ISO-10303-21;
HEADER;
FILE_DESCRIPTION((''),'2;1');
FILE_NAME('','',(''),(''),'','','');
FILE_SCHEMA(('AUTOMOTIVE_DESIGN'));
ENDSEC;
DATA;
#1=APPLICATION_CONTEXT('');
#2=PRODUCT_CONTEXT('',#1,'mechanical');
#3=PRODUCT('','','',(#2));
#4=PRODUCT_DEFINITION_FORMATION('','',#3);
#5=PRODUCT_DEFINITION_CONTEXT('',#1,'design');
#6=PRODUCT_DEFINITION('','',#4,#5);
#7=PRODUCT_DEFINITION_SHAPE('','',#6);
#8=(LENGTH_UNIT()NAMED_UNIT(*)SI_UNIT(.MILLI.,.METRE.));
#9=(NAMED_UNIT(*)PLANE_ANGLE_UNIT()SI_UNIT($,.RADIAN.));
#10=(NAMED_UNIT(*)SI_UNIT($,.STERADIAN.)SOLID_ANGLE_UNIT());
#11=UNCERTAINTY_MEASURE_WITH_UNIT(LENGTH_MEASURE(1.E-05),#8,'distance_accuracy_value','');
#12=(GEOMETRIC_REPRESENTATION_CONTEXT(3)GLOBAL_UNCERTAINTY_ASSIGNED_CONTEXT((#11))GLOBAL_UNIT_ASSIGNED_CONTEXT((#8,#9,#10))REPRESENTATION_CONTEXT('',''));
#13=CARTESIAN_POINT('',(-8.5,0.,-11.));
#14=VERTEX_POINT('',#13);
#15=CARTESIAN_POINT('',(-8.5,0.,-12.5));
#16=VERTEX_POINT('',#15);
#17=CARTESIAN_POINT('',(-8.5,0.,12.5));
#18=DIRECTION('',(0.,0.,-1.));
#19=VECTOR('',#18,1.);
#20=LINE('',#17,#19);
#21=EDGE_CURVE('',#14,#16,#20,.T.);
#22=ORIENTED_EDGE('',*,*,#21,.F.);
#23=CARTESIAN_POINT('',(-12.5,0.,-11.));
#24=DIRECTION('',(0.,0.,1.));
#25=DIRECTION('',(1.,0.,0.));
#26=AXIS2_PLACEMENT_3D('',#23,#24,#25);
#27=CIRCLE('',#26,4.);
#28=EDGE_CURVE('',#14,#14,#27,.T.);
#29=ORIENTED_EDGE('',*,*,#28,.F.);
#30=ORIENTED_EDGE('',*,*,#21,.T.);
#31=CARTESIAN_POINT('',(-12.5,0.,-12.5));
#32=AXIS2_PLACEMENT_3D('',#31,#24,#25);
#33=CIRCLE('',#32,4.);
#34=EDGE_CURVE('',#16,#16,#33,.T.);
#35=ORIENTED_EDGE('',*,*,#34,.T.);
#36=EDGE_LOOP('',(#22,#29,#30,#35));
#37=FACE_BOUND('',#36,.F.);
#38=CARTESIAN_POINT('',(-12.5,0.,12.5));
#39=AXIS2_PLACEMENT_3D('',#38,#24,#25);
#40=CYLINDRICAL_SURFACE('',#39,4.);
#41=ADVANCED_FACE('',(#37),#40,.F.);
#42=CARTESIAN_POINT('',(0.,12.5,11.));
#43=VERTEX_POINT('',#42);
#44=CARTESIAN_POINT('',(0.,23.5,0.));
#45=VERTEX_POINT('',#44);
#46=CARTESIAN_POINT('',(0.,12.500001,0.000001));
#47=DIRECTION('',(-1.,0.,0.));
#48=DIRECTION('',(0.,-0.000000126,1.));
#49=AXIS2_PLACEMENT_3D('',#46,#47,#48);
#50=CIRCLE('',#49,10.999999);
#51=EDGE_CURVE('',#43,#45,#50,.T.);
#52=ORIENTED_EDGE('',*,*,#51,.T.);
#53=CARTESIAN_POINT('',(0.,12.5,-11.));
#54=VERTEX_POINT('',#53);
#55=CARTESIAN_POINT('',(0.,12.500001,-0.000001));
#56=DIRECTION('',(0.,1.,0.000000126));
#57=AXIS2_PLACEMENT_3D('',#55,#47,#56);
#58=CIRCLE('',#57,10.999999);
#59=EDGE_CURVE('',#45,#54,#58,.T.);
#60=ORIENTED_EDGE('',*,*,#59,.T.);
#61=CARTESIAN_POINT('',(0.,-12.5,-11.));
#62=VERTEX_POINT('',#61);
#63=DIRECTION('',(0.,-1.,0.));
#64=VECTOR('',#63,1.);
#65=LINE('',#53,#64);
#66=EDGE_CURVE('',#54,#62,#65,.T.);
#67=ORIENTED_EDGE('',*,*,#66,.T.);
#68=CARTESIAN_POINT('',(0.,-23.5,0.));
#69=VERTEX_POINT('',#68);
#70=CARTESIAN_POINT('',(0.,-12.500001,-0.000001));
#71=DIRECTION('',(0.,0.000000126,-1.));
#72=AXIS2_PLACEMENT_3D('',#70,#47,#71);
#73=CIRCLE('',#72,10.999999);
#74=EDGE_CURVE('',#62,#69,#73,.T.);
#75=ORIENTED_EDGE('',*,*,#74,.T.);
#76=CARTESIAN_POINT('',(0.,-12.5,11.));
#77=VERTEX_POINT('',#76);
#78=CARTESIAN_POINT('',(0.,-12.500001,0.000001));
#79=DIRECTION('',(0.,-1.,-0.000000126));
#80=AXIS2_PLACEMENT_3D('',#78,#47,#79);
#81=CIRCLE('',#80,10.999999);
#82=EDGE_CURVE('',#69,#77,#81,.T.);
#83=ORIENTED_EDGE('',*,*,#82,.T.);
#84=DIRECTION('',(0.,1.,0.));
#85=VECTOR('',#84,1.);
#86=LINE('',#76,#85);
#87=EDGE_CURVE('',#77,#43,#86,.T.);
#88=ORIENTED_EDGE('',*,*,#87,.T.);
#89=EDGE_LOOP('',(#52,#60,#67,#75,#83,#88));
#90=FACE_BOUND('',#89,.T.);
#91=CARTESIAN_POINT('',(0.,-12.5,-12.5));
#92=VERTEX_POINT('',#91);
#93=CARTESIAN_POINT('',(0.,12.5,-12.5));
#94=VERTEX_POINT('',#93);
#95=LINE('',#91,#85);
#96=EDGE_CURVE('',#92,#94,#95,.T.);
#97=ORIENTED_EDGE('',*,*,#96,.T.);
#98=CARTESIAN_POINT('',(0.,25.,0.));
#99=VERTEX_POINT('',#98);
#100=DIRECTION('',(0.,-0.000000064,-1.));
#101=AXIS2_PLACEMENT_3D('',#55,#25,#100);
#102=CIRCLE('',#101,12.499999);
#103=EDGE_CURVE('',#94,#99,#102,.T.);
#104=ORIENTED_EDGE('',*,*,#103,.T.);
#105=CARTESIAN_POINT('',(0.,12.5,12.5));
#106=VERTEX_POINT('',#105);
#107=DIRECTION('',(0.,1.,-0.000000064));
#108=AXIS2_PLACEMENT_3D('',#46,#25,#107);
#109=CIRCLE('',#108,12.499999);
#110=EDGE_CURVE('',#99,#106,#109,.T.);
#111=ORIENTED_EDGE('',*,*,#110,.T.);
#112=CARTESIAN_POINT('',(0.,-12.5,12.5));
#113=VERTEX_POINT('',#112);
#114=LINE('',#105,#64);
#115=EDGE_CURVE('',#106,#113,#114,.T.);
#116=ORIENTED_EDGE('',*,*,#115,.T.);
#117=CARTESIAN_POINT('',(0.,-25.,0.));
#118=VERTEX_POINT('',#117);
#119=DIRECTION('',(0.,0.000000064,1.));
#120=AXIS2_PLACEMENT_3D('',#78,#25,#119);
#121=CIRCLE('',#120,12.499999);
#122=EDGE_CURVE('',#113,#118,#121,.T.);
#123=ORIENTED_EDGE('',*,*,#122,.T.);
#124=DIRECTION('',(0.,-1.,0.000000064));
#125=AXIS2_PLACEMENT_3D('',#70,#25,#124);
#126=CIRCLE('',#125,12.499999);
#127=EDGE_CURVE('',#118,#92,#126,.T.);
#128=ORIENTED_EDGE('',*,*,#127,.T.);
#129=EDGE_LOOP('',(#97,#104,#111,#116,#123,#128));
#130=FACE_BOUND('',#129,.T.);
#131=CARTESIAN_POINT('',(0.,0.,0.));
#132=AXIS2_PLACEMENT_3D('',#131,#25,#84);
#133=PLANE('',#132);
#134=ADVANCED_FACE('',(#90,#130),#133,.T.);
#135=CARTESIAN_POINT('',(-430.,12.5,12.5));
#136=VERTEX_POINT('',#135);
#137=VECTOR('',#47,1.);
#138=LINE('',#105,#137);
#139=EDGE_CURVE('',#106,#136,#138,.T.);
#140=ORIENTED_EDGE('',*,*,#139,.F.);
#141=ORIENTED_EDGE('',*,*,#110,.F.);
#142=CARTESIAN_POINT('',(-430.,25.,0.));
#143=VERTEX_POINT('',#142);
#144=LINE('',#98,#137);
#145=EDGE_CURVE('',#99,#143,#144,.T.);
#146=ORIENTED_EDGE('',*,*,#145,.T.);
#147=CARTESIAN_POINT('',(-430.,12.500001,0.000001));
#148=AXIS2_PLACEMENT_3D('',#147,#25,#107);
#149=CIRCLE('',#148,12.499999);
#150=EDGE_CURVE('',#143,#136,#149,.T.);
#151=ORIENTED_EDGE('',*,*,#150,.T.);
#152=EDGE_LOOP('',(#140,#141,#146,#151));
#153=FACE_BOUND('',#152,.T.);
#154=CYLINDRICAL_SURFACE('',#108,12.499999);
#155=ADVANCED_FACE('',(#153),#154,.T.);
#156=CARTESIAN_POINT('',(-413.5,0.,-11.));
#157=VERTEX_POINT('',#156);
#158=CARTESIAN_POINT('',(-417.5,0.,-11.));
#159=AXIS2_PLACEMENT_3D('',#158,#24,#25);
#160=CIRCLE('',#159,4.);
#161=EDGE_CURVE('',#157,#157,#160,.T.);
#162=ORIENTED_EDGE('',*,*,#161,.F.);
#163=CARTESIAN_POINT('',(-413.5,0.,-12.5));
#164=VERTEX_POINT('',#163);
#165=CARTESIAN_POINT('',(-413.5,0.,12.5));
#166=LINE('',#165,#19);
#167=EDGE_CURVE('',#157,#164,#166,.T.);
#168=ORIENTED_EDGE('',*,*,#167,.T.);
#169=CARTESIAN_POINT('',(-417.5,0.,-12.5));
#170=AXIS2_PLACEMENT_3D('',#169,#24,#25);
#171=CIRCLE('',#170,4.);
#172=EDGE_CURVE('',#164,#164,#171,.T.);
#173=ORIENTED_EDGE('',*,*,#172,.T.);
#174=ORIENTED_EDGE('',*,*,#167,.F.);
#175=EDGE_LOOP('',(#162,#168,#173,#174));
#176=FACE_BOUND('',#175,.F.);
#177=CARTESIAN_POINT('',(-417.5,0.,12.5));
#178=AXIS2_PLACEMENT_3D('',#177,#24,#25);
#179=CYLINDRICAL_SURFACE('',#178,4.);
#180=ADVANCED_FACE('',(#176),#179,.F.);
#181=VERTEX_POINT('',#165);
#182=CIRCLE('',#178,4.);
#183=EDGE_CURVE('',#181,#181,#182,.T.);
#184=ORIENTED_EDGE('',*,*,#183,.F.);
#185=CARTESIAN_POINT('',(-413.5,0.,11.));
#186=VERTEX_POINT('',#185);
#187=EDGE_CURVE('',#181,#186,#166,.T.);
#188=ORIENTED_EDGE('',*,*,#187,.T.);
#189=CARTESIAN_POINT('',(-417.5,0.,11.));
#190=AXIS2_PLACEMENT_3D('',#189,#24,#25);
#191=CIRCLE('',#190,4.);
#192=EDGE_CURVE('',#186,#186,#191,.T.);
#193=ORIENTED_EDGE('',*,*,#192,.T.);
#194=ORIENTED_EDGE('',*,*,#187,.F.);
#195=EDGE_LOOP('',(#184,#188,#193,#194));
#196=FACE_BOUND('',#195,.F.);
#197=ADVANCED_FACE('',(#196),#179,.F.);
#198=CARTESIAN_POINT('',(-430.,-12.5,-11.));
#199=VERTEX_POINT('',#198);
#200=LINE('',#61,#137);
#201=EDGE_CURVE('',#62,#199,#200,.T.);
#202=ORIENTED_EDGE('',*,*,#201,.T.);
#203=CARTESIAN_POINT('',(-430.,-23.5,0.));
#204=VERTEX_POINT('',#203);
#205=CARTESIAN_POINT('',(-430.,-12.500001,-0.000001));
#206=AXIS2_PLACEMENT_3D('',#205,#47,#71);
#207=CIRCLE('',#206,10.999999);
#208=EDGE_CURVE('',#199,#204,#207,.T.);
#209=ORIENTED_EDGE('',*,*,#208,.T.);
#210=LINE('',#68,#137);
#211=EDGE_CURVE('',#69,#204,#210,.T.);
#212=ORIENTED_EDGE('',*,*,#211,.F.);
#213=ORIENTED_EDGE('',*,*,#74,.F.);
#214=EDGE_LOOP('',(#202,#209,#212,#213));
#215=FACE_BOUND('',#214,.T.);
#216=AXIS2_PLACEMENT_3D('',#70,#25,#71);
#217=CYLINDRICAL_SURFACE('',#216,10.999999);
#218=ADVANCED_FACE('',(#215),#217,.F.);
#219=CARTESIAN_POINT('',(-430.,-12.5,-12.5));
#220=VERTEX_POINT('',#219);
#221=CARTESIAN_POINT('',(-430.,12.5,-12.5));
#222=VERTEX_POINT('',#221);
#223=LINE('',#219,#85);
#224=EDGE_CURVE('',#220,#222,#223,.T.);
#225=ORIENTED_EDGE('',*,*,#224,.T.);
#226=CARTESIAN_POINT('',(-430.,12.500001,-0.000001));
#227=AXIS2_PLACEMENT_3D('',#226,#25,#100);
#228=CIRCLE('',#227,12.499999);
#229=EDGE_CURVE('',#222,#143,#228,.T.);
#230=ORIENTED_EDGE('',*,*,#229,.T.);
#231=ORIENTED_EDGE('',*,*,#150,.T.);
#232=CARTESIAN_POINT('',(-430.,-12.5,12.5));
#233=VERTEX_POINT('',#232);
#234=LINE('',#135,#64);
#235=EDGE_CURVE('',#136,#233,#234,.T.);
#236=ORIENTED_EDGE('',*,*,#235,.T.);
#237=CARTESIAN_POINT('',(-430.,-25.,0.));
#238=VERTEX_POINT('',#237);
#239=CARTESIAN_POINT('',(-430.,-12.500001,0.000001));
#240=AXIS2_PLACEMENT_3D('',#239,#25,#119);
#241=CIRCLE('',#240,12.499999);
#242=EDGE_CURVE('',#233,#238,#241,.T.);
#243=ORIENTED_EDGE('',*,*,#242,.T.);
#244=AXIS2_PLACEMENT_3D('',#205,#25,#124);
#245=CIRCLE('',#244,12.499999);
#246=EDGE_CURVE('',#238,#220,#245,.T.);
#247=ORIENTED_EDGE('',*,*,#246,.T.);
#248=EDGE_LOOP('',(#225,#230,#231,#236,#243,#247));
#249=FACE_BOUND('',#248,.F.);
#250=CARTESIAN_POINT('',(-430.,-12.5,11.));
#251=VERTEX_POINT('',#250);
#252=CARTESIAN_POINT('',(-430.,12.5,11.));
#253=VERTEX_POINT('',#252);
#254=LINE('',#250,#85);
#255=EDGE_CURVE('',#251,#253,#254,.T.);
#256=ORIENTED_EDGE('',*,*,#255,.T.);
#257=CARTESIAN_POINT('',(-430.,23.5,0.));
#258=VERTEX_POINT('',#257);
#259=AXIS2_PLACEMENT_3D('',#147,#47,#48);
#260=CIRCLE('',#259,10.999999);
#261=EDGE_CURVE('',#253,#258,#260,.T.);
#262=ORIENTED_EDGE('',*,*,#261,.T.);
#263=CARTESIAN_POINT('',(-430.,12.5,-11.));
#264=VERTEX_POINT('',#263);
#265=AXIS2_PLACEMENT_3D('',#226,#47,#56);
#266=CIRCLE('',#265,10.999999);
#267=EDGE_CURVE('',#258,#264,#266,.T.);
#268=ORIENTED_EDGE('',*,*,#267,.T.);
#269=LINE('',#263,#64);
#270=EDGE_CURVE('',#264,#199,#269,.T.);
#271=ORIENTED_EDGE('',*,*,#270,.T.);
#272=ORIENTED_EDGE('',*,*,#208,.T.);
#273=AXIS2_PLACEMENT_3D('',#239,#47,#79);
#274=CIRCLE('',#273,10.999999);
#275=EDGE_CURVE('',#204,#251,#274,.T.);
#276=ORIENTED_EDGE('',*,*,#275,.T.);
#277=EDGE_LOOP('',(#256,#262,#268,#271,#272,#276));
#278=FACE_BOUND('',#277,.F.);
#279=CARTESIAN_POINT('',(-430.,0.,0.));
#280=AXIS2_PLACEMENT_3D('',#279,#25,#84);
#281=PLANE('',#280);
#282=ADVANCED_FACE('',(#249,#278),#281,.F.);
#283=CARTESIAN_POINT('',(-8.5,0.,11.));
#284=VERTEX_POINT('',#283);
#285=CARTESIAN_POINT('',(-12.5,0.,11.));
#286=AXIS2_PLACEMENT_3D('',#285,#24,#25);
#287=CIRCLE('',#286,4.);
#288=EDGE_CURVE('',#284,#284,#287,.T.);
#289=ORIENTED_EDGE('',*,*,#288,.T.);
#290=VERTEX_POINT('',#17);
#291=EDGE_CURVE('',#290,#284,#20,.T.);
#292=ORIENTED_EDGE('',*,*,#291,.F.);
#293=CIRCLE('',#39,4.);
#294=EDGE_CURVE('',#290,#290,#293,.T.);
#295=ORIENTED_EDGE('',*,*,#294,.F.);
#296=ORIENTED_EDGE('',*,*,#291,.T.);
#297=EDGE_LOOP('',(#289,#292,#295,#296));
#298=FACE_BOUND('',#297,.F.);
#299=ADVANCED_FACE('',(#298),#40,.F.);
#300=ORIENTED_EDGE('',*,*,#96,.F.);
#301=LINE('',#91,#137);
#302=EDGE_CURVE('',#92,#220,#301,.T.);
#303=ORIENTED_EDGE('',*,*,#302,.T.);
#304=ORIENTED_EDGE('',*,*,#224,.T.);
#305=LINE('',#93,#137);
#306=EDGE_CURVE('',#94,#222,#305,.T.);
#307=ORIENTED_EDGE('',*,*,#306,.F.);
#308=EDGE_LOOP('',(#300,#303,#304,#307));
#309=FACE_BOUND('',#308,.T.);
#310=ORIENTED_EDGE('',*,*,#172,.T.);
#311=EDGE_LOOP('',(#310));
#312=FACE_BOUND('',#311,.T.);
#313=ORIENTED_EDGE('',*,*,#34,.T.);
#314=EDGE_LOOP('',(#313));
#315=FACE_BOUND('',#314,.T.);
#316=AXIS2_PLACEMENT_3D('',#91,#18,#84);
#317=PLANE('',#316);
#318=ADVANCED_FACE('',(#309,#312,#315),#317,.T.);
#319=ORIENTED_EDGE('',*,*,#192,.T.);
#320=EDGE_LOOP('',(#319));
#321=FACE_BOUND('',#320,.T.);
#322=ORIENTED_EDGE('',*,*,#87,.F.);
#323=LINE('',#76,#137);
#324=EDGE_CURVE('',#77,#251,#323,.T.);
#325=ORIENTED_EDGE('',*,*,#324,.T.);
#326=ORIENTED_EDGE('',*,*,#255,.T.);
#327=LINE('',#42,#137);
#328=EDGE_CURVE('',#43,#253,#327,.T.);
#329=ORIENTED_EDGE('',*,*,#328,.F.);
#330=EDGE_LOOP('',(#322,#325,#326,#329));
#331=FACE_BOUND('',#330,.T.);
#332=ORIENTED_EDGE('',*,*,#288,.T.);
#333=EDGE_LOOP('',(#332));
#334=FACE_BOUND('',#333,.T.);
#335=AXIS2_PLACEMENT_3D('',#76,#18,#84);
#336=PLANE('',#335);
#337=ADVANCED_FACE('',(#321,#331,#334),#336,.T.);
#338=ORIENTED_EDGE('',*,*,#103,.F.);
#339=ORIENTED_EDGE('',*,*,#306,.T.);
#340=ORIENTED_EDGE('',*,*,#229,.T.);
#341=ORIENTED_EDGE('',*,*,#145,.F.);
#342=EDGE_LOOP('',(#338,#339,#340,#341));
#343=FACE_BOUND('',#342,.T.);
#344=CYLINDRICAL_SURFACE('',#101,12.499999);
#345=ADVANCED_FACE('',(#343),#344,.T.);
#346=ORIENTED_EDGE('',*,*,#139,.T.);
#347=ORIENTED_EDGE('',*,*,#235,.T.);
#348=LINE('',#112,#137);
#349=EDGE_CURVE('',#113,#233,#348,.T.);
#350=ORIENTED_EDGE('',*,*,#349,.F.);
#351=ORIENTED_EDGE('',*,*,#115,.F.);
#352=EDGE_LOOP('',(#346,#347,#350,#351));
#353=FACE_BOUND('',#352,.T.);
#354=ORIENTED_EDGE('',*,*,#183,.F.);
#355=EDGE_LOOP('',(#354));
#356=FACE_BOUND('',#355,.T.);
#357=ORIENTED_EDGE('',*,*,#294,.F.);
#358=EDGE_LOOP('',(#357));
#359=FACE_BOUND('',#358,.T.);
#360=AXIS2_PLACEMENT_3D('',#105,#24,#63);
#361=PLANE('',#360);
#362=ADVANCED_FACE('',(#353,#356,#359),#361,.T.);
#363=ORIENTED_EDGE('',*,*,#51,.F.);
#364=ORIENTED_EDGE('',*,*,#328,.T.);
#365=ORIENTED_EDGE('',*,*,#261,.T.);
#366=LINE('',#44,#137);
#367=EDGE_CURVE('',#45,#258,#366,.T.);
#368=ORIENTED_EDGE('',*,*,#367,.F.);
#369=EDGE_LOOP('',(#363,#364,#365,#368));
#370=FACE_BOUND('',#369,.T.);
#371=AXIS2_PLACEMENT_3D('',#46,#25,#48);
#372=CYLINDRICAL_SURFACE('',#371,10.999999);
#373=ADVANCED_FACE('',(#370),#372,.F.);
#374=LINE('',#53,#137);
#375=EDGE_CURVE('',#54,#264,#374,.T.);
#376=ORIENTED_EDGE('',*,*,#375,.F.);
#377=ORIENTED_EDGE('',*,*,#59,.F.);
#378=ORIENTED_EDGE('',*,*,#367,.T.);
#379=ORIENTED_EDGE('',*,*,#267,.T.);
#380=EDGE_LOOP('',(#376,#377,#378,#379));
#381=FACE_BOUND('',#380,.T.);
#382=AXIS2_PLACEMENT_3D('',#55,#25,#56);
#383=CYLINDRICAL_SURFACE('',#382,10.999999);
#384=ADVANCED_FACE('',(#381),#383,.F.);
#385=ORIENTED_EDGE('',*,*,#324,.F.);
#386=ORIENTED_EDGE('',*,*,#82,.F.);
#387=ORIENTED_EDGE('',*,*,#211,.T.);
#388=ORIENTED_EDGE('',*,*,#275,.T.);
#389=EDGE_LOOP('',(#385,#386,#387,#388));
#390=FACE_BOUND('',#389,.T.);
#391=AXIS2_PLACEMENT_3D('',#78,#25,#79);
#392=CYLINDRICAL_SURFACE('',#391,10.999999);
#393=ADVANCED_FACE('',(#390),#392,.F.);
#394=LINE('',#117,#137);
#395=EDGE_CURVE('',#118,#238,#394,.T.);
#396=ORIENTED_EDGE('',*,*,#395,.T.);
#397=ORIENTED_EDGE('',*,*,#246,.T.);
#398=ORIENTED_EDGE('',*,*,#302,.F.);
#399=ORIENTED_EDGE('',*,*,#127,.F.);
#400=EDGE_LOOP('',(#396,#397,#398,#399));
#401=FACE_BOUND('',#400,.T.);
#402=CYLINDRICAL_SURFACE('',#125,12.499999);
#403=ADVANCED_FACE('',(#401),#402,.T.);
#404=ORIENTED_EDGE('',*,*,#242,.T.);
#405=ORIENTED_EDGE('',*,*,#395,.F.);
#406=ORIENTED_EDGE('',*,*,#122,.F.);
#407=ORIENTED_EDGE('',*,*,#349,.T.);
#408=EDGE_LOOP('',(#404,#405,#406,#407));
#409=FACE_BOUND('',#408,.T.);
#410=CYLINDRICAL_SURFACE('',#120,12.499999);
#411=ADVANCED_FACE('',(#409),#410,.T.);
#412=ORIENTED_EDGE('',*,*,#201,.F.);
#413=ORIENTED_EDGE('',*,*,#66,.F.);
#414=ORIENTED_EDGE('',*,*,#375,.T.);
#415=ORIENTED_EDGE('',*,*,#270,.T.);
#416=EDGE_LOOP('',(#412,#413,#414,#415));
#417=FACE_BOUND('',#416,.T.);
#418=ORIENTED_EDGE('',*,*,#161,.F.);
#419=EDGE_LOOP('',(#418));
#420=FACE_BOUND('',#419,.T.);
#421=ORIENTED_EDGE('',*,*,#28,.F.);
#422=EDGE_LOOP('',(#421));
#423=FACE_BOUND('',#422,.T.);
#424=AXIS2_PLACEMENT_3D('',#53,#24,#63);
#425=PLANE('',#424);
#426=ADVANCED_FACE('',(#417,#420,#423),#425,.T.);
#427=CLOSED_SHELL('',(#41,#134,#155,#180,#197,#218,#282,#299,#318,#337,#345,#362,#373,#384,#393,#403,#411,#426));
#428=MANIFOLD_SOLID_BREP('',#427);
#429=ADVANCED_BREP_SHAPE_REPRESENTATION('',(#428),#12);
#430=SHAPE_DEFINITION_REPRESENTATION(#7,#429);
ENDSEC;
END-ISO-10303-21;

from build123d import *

# Parameters (mm, degrees)
F1_DEPTH = 430
F2_R     = 4
F3_DEPTH = 30


with BuildPart() as f1:
    # F0 (on Right) → F1 (new body)
    with BuildSketch(Plane.YZ):
        with BuildLine():
            Line((12.5, 12.5), (-12.5, 12.5))
            ThreePointArc((-12.5, 12.5), (-21.338835, 8.838835), (-25, 0))
            ThreePointArc((-25, 0), (-21.338835, -8.838835), (-12.5, -12.5))
            Line((-12.5, -12.5), (12.5, -12.5))
            ThreePointArc((12.5, -12.5), (21.338835, -8.838835), (25, 0))
            ThreePointArc((25, 0), (21.338835, 8.838835), (12.5, 12.5))
        make_face()
        with BuildLine():
            Line((-12.5, 11), (12.5, 11))
            ThreePointArc((12.5, 11), (20.278175, 7.778175), (23.5, 0))
            ThreePointArc((23.5, 0), (20.278175, -7.778175), (12.5, -11))
            Line((12.5, -11), (-12.5, -11))
            ThreePointArc((-12.5, -11), (-20.278175, -7.778175), (-23.5, 0))
            ThreePointArc((-23.5, 0), (-20.278175, 7.778175), (-12.5, 11))
        make_face(mode=Mode.SUBTRACT)
    extrude(amount=-F1_DEPTH)

    # F2 (on face) → F3 (cut)
    with BuildSketch(Plane.XY.offset(12.5)):
        with Locations((-12.5, 0)):
            Circle(F2_R)
        with Locations((-417.5, 0)):
            Circle(F2_R)
    extrude(amount=-F3_DEPTH, mode=Mode.SUBTRACT)


solid = f1.part
